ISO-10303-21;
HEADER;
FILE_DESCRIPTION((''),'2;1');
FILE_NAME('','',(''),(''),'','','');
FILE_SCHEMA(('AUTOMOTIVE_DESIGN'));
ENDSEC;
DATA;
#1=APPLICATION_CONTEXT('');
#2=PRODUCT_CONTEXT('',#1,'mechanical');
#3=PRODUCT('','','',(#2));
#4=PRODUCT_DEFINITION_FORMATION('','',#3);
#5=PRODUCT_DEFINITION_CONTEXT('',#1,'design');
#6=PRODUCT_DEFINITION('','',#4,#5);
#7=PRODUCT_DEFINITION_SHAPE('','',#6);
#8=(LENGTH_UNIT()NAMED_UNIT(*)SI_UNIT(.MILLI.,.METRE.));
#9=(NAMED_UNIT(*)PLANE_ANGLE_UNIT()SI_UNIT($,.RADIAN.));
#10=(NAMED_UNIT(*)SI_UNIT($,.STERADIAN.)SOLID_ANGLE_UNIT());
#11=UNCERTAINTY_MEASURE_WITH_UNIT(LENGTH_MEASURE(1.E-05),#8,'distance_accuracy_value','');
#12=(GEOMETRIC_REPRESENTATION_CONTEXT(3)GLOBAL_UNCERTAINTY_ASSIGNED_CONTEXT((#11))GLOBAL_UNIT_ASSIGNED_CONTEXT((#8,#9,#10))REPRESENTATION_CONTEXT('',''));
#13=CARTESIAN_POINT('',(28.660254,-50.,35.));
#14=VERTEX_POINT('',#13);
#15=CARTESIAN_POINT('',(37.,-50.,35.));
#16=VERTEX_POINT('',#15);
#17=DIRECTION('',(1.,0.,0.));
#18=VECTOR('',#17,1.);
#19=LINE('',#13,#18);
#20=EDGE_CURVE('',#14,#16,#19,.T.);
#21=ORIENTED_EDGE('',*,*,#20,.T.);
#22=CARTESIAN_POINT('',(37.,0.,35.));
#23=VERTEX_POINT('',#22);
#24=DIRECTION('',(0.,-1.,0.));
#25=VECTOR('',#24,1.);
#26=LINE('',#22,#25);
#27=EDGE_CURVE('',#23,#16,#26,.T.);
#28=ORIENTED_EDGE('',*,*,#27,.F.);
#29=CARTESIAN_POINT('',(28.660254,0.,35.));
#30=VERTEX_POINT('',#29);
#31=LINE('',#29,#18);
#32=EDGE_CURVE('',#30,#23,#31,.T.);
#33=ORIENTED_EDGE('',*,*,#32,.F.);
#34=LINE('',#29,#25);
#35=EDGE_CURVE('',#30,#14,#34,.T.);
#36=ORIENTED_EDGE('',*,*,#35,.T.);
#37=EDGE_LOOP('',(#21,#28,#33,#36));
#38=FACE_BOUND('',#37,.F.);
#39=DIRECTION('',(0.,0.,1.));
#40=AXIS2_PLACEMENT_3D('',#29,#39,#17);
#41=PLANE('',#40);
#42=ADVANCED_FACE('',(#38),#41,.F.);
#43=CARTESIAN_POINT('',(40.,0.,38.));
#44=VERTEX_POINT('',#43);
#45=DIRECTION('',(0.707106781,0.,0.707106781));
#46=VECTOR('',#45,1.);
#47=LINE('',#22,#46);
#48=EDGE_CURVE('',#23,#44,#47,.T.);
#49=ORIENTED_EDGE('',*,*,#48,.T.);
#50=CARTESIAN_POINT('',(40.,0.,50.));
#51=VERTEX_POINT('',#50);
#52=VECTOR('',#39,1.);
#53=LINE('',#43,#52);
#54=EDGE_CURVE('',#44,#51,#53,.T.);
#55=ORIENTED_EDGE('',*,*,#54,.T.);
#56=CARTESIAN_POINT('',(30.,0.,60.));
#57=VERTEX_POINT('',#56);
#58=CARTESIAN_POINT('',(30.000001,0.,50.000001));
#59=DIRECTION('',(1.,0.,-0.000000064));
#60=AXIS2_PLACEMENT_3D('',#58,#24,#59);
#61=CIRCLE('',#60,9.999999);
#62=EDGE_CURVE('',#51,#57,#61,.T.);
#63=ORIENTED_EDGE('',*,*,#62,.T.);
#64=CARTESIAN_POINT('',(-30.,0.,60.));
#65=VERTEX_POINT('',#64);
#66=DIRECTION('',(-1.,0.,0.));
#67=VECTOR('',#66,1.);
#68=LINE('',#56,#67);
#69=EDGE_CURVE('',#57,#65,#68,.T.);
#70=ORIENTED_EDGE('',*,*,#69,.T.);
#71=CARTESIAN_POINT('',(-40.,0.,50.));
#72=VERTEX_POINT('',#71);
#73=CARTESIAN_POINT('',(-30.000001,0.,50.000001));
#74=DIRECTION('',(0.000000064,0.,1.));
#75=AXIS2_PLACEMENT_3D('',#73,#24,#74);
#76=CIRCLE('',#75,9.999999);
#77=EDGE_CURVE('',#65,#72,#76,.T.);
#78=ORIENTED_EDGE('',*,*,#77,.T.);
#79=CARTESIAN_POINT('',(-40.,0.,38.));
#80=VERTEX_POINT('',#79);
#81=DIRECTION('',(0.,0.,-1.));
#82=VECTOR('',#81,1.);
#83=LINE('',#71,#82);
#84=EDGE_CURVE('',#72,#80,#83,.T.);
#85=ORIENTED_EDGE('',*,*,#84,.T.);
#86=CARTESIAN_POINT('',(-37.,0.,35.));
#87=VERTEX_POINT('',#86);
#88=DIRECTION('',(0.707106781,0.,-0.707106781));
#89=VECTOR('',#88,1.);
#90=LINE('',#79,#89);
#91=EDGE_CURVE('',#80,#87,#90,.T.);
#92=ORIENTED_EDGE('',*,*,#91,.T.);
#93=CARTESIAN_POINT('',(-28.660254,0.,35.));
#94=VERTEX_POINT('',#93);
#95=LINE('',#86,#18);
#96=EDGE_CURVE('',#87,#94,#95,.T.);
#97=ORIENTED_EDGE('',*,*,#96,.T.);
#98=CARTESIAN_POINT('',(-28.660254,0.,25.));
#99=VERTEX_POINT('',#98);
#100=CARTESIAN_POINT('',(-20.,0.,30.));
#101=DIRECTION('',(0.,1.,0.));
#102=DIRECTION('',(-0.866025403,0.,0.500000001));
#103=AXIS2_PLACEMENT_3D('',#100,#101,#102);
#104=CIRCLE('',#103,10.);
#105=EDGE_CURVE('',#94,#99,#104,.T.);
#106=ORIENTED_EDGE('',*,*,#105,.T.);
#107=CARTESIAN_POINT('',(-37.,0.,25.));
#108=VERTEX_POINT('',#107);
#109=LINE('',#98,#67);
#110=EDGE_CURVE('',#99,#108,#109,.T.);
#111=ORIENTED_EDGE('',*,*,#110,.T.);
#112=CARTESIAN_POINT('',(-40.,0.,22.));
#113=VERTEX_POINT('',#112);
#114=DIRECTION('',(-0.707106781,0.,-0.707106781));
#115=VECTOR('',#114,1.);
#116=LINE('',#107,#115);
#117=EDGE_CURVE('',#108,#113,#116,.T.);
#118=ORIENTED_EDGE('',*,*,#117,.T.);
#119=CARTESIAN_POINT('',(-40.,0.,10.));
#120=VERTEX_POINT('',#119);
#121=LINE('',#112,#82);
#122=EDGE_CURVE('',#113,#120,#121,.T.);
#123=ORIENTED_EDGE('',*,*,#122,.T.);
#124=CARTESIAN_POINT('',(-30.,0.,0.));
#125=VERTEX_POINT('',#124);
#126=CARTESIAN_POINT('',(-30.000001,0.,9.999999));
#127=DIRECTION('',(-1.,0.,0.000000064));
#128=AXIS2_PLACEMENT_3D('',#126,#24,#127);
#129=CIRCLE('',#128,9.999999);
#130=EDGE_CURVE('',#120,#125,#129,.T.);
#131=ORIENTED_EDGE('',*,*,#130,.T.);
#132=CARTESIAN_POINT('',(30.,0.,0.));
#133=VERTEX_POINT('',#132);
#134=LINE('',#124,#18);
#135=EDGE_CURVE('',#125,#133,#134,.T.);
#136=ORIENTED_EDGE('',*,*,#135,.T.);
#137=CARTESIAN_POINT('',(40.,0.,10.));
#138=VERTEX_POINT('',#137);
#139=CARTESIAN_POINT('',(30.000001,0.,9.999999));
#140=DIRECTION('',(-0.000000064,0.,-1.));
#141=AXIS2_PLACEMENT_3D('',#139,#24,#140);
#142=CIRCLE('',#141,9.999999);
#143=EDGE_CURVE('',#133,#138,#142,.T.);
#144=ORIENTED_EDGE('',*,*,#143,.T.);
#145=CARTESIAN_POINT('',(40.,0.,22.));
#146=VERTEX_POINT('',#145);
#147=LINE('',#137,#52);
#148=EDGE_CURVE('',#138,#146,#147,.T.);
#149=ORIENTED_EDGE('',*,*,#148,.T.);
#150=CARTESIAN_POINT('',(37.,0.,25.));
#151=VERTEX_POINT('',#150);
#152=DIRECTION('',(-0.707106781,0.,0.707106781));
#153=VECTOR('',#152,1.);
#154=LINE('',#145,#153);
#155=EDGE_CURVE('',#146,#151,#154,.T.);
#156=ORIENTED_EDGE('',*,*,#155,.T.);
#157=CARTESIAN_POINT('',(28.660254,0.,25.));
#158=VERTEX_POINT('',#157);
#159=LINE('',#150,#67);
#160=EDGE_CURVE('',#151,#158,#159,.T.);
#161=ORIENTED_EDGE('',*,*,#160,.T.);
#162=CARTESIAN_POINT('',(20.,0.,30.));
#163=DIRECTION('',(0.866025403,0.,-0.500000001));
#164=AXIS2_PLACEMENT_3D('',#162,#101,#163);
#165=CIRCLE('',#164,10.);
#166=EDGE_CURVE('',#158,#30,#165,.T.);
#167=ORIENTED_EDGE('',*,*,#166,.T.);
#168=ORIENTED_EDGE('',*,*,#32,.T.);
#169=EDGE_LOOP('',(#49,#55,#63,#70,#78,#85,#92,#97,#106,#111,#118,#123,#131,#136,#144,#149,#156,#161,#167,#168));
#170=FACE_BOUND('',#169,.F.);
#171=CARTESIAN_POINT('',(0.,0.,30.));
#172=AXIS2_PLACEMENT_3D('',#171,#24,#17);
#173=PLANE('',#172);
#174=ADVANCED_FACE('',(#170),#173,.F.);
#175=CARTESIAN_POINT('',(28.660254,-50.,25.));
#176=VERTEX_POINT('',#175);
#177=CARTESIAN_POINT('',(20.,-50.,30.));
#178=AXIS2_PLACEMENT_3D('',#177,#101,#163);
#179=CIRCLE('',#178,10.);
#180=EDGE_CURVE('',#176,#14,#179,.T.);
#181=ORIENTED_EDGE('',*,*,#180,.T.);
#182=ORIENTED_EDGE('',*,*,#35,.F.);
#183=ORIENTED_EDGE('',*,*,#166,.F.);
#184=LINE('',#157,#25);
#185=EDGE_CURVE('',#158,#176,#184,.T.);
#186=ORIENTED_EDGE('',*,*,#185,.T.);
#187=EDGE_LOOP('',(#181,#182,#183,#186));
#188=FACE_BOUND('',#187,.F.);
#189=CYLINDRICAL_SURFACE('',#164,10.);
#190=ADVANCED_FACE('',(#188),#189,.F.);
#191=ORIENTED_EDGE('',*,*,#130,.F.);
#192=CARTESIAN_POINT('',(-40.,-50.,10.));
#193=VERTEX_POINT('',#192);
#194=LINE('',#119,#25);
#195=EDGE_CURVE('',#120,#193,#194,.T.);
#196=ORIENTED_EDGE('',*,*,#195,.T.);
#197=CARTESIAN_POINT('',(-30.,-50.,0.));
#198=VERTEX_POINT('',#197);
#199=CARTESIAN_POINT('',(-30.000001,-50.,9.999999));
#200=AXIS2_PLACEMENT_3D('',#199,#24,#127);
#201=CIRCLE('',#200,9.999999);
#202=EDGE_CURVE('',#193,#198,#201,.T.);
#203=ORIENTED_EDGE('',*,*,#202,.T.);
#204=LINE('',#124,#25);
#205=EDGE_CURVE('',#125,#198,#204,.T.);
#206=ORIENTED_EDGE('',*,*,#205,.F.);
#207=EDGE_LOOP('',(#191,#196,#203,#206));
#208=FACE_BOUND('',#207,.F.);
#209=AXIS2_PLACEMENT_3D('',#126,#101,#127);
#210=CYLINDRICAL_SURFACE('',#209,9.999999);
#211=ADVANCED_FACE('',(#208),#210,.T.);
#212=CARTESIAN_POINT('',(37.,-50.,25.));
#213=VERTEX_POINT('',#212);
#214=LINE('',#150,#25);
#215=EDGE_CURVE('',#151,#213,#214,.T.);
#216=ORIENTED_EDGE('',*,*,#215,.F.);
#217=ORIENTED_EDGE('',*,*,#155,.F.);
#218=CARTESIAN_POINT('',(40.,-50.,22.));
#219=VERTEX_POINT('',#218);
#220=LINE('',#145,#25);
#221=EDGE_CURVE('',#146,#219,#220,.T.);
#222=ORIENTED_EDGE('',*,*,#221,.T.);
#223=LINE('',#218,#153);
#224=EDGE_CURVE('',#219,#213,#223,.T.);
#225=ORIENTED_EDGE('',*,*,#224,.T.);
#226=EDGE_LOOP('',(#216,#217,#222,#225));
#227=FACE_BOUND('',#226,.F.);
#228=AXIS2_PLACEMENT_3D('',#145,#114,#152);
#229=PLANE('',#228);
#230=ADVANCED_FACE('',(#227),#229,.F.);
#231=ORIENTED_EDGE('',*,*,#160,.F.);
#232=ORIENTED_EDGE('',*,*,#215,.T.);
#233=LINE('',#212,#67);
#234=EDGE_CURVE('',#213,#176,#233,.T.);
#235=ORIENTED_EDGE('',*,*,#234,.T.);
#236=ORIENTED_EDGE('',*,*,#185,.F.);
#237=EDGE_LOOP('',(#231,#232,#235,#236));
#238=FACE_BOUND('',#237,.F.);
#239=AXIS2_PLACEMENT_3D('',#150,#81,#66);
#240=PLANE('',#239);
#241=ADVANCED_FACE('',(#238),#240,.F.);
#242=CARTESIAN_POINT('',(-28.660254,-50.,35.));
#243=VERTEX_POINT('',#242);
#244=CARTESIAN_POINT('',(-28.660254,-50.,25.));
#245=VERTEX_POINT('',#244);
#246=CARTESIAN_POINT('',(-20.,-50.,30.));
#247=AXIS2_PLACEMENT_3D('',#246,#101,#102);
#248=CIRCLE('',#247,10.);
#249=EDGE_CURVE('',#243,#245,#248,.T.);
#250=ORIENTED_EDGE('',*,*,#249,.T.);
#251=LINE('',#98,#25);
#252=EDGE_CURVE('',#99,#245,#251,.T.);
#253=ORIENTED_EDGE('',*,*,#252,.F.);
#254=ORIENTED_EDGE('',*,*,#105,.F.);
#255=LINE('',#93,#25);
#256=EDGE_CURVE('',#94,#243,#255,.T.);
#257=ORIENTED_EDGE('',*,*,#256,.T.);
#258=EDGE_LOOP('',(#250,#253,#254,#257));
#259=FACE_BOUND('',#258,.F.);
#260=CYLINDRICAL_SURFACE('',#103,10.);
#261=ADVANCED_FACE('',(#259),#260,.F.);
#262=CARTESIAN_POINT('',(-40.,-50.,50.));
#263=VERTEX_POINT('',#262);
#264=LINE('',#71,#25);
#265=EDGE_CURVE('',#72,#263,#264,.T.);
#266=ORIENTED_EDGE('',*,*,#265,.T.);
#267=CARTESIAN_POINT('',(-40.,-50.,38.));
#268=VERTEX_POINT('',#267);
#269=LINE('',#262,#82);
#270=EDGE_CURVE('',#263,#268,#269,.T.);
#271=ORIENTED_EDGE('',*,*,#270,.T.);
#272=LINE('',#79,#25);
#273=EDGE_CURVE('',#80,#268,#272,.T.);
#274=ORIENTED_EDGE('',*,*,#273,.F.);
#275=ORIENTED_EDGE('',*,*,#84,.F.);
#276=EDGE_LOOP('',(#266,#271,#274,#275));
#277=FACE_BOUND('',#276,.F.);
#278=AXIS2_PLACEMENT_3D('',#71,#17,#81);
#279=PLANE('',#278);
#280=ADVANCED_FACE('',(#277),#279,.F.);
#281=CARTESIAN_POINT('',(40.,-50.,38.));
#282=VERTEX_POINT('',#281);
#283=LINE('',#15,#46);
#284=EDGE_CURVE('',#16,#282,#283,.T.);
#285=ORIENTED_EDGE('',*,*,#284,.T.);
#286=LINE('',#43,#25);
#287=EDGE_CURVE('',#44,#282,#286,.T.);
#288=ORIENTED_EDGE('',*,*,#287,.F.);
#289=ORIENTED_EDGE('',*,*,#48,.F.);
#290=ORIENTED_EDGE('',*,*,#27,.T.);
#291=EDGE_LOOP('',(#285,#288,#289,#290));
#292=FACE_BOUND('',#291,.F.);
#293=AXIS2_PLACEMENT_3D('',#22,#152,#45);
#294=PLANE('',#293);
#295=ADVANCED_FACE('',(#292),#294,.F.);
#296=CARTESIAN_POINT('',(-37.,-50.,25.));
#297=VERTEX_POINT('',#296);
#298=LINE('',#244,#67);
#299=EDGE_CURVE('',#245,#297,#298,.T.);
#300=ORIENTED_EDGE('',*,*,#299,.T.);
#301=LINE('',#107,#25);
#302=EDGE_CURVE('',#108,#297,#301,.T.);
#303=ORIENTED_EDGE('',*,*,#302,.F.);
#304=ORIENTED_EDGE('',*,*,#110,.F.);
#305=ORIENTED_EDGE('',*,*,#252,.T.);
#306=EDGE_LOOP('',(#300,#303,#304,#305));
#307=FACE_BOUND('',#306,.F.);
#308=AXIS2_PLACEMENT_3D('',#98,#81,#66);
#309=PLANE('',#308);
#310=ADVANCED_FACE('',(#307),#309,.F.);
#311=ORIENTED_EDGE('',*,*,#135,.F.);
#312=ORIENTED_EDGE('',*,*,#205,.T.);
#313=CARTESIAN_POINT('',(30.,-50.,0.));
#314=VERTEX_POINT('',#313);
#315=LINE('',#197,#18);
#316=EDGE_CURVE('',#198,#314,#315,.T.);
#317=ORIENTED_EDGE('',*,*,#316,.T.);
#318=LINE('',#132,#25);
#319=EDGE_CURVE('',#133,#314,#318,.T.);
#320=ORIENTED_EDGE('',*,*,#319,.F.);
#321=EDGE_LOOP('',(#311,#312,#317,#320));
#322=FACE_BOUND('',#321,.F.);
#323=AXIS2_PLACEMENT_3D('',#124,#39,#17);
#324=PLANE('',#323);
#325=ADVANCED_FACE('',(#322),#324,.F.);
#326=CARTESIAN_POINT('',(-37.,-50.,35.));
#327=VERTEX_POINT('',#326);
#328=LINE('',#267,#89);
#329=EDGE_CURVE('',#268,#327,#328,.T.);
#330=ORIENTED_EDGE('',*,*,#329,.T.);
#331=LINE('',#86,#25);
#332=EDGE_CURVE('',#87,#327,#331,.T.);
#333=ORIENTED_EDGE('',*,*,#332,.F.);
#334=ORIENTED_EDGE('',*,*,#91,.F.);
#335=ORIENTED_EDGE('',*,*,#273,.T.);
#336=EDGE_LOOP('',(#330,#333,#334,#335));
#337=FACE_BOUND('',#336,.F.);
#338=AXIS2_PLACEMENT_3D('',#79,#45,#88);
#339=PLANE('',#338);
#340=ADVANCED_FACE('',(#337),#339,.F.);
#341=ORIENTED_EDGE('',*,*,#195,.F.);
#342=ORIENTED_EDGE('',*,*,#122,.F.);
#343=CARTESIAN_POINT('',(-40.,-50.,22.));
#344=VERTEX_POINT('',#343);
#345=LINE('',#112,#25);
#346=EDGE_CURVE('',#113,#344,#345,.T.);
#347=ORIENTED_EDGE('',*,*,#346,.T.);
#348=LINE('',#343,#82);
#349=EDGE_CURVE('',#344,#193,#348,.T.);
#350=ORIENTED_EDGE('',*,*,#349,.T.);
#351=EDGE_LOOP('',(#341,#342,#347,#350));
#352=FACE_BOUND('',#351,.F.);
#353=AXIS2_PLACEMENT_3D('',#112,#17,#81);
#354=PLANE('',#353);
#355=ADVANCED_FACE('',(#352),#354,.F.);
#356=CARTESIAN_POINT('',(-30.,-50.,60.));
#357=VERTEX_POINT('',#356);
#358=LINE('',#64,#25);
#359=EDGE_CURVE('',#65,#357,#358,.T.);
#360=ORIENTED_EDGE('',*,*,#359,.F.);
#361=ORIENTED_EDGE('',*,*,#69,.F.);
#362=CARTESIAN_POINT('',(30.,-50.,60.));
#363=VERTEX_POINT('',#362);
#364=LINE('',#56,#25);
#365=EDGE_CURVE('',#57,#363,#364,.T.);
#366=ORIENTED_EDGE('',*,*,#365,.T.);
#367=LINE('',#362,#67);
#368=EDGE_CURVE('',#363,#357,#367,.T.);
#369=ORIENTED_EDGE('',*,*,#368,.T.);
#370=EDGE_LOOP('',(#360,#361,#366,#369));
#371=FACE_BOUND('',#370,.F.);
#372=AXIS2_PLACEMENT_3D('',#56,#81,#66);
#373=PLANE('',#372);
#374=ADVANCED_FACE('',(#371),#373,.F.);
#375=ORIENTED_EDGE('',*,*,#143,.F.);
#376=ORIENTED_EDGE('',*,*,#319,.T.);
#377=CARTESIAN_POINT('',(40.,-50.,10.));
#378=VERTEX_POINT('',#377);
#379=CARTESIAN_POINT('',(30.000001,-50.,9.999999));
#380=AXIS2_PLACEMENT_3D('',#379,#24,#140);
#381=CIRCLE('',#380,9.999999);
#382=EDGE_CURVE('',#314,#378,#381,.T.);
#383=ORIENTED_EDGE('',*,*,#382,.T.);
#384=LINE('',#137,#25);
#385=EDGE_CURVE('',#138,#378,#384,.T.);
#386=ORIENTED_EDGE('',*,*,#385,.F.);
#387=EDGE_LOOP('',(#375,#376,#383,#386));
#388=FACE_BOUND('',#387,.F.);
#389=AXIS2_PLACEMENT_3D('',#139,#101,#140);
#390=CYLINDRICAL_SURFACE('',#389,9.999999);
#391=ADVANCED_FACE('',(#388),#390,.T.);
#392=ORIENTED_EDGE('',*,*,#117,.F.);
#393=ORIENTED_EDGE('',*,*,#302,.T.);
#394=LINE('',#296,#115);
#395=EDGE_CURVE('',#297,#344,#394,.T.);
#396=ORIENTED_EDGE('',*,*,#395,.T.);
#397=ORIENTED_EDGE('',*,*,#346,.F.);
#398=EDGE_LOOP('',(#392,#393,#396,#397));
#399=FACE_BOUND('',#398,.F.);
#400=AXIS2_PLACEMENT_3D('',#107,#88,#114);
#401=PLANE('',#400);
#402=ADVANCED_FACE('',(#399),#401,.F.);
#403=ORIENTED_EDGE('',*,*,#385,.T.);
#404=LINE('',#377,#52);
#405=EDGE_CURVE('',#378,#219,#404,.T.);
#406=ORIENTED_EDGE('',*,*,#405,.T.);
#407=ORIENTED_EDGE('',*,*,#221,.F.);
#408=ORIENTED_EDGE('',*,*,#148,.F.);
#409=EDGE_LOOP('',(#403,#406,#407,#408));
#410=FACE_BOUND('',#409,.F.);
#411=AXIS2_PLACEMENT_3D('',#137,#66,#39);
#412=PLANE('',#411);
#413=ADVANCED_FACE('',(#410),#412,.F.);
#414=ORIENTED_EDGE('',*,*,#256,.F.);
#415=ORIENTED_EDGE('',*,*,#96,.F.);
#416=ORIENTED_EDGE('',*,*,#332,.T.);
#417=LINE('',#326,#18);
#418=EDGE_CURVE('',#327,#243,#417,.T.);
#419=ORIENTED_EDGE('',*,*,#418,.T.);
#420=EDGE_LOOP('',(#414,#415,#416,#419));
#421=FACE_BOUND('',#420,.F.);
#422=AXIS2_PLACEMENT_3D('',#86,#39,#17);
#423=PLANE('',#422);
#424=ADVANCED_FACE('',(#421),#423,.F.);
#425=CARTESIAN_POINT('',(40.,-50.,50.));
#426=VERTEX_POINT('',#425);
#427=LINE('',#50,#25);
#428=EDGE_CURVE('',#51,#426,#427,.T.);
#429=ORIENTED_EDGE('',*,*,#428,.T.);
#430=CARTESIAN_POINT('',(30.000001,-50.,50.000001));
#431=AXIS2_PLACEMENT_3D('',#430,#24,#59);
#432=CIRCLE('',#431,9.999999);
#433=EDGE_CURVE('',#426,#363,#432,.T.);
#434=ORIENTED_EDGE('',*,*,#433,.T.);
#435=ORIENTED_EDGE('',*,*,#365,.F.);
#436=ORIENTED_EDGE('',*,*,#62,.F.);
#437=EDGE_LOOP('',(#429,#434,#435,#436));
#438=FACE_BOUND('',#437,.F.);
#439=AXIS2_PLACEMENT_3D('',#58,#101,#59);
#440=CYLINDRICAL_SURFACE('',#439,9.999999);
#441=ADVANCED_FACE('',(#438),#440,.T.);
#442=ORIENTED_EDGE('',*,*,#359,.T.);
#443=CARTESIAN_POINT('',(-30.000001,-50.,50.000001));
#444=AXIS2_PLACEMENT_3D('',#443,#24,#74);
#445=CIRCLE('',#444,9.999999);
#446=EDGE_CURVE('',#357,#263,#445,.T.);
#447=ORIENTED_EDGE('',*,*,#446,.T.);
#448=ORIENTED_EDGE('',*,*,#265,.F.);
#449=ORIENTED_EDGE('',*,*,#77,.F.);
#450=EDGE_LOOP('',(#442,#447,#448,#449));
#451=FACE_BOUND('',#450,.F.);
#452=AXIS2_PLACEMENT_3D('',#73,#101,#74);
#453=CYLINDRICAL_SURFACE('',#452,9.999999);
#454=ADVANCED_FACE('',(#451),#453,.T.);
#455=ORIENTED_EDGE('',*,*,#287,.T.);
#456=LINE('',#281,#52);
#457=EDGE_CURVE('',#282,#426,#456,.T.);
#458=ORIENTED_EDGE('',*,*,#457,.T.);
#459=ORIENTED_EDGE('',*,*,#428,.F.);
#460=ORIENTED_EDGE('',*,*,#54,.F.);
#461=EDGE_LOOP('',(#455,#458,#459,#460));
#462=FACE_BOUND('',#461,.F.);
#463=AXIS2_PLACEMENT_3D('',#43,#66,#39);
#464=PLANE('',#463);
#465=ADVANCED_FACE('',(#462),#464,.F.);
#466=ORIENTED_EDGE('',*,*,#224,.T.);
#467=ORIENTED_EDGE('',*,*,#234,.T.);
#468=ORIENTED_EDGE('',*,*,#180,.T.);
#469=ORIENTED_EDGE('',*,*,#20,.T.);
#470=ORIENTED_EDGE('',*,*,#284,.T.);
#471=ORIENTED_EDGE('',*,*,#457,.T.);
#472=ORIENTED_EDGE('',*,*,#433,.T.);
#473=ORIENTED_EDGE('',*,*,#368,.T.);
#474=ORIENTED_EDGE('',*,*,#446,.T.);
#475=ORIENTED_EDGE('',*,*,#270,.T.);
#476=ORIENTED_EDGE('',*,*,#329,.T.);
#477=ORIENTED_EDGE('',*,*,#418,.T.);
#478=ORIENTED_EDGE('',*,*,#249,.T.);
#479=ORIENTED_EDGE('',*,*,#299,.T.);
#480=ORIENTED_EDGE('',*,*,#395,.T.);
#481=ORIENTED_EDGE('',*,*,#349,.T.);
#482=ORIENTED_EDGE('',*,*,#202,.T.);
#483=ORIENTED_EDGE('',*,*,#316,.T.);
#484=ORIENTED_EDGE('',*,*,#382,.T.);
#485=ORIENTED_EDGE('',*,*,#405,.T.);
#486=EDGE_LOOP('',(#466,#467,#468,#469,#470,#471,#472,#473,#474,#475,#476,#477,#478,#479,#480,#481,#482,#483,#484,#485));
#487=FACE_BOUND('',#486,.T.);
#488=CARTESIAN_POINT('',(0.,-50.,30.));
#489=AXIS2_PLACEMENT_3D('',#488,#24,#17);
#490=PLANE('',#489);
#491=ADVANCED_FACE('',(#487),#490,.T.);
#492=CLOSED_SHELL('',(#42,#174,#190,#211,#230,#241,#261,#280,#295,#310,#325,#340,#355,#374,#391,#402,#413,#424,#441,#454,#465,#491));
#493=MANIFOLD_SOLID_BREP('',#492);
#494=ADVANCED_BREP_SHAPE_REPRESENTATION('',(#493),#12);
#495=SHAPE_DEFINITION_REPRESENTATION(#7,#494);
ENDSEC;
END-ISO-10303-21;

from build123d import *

# Parameters (mm, degrees)
F1_DEPTH = 50


with BuildPart() as f1:
    # F0 (on Front) → F1 (new body)
    with BuildSketch(Plane.XZ):
        with BuildLine():
            Line((-30, 0), (0, 0))
            Line((0, 0), (30, 0))
            ThreePointArc((30, 0), (37.071068, 2.928932), (40, 10))
            Line((40, 10), (40, 22))
            Line((40, 22), (37, 25))
            Line((37, 25), (28.660254, 25))
            ThreePointArc((28.660254, 25), (10, 30), (28.660254, 35))
            Line((28.660254, 35), (37, 35))
            Line((37, 35), (40, 38))
            Line((40, 38), (40, 50))
            ThreePointArc((40, 50), (37.071068, 57.071068), (30, 60))
            Line((30, 60), (0, 60))
            Line((0, 60), (-30, 60))
            ThreePointArc((-30, 60), (-37.071068, 57.071068), (-40, 50))
            Line((-40, 50), (-40, 38))
            Line((-40, 38), (-37, 35))
            Line((-37, 35), (-28.660254, 35))
            ThreePointArc((-28.660254, 35), (-10, 30), (-28.660254, 25))
            Line((-28.660254, 25), (-37, 25))
            Line((-37, 25), (-40, 22))
            Line((-40, 22), (-40, 10))
            ThreePointArc((-40, 10), (-37.071068, 2.928932), (-30, 0))
        make_face()
    extrude(amount=F1_DEPTH)


solid = f1.part
